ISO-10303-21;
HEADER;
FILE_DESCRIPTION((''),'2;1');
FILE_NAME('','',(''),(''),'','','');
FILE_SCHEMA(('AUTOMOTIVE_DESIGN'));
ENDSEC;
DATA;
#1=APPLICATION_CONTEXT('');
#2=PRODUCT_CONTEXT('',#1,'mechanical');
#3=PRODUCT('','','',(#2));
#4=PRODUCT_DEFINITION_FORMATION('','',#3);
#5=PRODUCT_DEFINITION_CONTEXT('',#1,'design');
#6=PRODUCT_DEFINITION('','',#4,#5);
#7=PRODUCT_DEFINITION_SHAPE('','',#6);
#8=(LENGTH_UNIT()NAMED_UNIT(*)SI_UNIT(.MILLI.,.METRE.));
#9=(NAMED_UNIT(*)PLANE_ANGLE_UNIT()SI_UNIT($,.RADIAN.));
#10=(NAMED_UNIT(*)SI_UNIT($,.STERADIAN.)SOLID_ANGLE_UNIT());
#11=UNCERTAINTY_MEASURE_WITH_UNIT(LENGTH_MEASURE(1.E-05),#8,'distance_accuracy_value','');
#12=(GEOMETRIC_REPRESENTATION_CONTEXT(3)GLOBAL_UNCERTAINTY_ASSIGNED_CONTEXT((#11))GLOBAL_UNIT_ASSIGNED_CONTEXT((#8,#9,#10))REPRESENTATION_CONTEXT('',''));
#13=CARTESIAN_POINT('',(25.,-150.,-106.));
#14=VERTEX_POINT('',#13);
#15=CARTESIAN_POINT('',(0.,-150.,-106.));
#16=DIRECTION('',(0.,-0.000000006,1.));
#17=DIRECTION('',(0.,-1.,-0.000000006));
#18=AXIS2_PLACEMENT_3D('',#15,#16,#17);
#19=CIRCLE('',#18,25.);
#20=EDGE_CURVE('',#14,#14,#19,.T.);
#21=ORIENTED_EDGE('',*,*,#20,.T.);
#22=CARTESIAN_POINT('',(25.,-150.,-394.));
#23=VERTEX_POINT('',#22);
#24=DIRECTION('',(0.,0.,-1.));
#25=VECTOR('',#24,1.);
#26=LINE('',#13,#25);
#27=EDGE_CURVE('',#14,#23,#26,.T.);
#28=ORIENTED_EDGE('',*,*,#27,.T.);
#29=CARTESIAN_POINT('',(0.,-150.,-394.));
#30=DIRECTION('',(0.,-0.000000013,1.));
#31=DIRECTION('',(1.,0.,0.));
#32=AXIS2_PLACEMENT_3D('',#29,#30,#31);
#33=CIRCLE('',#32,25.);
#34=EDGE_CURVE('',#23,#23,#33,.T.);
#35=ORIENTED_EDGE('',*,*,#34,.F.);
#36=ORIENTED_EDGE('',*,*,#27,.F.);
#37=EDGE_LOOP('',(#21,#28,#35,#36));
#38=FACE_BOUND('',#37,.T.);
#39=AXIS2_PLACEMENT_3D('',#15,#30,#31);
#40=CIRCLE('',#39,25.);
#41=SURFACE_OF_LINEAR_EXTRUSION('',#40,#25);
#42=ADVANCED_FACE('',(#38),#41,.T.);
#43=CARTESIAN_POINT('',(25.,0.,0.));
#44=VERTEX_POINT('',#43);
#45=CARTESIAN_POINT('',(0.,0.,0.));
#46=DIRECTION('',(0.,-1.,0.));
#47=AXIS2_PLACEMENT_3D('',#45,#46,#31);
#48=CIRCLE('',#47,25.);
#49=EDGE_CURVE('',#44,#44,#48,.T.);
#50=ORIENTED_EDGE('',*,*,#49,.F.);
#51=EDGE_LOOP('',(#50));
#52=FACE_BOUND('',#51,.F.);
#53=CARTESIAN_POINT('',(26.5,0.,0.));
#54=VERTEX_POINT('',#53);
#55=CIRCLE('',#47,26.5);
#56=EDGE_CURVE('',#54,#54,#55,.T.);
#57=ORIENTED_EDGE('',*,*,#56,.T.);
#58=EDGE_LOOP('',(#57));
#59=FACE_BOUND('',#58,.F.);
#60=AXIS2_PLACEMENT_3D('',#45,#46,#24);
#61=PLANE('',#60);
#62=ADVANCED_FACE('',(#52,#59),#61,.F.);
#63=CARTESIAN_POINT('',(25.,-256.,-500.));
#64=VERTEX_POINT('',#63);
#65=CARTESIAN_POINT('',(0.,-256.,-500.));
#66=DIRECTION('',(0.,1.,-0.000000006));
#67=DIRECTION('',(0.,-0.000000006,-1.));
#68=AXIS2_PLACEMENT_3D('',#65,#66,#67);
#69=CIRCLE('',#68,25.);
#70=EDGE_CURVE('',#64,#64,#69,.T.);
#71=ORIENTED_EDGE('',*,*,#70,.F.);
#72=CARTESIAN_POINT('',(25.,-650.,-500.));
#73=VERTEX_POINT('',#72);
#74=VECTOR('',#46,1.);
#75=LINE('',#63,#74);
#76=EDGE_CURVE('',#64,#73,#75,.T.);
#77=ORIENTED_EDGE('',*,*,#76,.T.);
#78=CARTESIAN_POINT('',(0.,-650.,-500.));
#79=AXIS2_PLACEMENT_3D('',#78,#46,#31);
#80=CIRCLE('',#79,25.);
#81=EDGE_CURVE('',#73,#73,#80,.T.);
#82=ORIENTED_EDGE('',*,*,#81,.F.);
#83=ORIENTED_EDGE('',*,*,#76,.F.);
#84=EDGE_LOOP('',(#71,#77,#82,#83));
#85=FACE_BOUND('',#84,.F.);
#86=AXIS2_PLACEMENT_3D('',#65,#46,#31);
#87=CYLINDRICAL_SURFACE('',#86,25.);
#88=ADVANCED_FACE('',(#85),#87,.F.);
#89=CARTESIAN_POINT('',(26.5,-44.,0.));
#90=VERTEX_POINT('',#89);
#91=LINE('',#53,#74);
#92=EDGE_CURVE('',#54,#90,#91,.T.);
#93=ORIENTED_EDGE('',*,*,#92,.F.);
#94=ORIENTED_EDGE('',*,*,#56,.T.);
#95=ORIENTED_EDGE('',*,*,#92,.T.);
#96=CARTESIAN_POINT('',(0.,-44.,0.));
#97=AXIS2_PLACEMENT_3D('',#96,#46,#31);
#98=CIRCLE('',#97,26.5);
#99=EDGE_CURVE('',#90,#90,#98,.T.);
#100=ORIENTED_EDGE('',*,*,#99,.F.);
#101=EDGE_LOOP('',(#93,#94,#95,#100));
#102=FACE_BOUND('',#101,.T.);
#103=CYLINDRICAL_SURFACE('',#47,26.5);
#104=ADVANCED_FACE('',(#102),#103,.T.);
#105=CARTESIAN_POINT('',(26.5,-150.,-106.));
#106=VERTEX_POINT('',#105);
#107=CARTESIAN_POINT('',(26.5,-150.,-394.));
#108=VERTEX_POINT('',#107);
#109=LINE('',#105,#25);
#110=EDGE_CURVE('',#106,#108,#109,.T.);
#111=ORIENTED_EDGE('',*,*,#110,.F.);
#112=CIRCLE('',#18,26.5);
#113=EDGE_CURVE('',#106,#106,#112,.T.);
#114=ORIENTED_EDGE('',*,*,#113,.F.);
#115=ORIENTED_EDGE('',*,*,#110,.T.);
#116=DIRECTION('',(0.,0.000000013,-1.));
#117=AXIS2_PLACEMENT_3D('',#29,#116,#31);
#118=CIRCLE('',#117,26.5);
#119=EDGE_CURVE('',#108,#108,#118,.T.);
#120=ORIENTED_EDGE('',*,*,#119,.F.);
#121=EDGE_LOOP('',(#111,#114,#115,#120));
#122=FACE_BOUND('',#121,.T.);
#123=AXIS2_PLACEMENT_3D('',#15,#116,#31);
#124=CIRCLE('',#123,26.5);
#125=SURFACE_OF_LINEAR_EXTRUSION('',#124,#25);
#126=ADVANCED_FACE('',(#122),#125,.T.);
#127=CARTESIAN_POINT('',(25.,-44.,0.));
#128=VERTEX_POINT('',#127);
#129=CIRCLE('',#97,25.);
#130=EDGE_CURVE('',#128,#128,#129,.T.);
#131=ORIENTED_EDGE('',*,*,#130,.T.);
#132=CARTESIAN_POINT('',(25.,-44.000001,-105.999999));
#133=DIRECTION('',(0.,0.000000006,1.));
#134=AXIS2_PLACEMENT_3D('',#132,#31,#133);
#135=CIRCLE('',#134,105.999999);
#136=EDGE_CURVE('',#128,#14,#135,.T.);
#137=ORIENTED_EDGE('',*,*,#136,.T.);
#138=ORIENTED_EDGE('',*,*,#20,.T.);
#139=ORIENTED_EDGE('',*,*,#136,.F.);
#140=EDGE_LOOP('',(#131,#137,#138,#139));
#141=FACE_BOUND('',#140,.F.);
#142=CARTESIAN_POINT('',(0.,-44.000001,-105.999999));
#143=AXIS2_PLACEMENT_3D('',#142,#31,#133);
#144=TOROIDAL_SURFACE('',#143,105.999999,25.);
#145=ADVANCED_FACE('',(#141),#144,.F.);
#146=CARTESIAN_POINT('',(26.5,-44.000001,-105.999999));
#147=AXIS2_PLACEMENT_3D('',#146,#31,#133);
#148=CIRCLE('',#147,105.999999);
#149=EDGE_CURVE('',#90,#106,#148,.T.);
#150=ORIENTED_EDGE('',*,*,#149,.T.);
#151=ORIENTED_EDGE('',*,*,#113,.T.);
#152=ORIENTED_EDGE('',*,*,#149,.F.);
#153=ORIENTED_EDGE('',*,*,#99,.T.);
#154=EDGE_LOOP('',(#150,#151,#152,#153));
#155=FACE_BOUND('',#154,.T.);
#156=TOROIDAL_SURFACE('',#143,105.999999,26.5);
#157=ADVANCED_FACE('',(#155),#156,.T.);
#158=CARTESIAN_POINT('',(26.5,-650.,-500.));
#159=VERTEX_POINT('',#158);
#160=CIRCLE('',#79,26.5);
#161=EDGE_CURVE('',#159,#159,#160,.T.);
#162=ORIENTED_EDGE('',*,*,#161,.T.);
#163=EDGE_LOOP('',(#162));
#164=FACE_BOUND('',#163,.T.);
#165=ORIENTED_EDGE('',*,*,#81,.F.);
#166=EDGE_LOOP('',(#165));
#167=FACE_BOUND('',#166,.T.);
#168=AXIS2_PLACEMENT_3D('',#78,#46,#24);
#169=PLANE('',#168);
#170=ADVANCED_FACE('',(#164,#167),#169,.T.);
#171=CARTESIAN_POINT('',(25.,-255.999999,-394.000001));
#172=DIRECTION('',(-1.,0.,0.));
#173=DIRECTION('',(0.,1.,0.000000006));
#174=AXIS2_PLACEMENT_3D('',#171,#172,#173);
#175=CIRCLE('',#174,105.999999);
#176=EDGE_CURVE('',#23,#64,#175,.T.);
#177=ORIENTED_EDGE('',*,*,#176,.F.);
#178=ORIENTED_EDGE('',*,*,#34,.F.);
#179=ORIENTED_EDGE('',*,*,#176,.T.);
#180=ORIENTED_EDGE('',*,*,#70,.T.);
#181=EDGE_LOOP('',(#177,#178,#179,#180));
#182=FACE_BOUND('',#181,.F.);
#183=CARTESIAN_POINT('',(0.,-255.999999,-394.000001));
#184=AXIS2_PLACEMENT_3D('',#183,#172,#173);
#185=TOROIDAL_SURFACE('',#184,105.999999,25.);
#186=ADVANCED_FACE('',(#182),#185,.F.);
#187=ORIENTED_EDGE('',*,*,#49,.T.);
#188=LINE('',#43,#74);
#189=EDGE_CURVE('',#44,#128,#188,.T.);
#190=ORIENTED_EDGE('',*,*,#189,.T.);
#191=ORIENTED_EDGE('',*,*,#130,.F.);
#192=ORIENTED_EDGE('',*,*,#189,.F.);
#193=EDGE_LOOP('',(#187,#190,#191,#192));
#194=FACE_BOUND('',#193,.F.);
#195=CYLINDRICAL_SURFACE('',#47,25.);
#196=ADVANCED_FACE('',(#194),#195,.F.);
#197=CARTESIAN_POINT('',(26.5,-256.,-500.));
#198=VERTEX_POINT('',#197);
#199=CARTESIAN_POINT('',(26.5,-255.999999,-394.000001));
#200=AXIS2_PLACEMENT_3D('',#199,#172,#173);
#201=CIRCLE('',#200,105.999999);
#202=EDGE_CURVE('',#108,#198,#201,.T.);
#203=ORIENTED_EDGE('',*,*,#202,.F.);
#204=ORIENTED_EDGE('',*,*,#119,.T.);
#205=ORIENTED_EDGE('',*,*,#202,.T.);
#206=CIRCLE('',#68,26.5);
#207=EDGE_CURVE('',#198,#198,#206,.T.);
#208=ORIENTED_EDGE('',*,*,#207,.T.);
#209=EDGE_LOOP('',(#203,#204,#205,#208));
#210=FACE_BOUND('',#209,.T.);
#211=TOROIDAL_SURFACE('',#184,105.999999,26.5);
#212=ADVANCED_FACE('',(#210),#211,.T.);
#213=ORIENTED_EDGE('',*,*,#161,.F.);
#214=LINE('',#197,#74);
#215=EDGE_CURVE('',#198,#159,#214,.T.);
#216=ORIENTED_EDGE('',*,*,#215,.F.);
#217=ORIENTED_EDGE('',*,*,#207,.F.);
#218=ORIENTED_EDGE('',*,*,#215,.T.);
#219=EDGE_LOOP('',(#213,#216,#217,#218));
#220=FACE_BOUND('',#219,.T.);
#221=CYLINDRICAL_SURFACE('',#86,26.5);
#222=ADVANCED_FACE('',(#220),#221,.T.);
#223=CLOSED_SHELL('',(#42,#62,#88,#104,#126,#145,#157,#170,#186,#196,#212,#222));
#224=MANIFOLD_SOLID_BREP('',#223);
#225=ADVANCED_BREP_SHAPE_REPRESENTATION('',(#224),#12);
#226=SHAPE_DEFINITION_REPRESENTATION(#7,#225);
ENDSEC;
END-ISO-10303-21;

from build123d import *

# Parameters (mm, degrees)
F0_R   = 26.5
F0_R_2 = 25


with BuildPart() as f2:
    # F2: sweep along a path in F1
    with BuildLine(Plane.YZ) as f2_path:
        Line((0, 0), (-44, 0))
        ThreePointArc((-44, 0), (-118.953319, -31.046681), (-150, -106))
        Line((-150, -106), (-150, -394))
        ThreePointArc((-150, -394), (-181.046681, -468.953319), (-256, -500))
        Line((-256, -500), (-650, -500))
    # F0 (on Front) → F2 (sweep)
    with BuildSketch(Plane.XZ):
        Circle(F0_R)
        Circle(F0_R_2, mode=Mode.SUBTRACT)
    sweep(path=f2_path.line)


solid = f2.part
